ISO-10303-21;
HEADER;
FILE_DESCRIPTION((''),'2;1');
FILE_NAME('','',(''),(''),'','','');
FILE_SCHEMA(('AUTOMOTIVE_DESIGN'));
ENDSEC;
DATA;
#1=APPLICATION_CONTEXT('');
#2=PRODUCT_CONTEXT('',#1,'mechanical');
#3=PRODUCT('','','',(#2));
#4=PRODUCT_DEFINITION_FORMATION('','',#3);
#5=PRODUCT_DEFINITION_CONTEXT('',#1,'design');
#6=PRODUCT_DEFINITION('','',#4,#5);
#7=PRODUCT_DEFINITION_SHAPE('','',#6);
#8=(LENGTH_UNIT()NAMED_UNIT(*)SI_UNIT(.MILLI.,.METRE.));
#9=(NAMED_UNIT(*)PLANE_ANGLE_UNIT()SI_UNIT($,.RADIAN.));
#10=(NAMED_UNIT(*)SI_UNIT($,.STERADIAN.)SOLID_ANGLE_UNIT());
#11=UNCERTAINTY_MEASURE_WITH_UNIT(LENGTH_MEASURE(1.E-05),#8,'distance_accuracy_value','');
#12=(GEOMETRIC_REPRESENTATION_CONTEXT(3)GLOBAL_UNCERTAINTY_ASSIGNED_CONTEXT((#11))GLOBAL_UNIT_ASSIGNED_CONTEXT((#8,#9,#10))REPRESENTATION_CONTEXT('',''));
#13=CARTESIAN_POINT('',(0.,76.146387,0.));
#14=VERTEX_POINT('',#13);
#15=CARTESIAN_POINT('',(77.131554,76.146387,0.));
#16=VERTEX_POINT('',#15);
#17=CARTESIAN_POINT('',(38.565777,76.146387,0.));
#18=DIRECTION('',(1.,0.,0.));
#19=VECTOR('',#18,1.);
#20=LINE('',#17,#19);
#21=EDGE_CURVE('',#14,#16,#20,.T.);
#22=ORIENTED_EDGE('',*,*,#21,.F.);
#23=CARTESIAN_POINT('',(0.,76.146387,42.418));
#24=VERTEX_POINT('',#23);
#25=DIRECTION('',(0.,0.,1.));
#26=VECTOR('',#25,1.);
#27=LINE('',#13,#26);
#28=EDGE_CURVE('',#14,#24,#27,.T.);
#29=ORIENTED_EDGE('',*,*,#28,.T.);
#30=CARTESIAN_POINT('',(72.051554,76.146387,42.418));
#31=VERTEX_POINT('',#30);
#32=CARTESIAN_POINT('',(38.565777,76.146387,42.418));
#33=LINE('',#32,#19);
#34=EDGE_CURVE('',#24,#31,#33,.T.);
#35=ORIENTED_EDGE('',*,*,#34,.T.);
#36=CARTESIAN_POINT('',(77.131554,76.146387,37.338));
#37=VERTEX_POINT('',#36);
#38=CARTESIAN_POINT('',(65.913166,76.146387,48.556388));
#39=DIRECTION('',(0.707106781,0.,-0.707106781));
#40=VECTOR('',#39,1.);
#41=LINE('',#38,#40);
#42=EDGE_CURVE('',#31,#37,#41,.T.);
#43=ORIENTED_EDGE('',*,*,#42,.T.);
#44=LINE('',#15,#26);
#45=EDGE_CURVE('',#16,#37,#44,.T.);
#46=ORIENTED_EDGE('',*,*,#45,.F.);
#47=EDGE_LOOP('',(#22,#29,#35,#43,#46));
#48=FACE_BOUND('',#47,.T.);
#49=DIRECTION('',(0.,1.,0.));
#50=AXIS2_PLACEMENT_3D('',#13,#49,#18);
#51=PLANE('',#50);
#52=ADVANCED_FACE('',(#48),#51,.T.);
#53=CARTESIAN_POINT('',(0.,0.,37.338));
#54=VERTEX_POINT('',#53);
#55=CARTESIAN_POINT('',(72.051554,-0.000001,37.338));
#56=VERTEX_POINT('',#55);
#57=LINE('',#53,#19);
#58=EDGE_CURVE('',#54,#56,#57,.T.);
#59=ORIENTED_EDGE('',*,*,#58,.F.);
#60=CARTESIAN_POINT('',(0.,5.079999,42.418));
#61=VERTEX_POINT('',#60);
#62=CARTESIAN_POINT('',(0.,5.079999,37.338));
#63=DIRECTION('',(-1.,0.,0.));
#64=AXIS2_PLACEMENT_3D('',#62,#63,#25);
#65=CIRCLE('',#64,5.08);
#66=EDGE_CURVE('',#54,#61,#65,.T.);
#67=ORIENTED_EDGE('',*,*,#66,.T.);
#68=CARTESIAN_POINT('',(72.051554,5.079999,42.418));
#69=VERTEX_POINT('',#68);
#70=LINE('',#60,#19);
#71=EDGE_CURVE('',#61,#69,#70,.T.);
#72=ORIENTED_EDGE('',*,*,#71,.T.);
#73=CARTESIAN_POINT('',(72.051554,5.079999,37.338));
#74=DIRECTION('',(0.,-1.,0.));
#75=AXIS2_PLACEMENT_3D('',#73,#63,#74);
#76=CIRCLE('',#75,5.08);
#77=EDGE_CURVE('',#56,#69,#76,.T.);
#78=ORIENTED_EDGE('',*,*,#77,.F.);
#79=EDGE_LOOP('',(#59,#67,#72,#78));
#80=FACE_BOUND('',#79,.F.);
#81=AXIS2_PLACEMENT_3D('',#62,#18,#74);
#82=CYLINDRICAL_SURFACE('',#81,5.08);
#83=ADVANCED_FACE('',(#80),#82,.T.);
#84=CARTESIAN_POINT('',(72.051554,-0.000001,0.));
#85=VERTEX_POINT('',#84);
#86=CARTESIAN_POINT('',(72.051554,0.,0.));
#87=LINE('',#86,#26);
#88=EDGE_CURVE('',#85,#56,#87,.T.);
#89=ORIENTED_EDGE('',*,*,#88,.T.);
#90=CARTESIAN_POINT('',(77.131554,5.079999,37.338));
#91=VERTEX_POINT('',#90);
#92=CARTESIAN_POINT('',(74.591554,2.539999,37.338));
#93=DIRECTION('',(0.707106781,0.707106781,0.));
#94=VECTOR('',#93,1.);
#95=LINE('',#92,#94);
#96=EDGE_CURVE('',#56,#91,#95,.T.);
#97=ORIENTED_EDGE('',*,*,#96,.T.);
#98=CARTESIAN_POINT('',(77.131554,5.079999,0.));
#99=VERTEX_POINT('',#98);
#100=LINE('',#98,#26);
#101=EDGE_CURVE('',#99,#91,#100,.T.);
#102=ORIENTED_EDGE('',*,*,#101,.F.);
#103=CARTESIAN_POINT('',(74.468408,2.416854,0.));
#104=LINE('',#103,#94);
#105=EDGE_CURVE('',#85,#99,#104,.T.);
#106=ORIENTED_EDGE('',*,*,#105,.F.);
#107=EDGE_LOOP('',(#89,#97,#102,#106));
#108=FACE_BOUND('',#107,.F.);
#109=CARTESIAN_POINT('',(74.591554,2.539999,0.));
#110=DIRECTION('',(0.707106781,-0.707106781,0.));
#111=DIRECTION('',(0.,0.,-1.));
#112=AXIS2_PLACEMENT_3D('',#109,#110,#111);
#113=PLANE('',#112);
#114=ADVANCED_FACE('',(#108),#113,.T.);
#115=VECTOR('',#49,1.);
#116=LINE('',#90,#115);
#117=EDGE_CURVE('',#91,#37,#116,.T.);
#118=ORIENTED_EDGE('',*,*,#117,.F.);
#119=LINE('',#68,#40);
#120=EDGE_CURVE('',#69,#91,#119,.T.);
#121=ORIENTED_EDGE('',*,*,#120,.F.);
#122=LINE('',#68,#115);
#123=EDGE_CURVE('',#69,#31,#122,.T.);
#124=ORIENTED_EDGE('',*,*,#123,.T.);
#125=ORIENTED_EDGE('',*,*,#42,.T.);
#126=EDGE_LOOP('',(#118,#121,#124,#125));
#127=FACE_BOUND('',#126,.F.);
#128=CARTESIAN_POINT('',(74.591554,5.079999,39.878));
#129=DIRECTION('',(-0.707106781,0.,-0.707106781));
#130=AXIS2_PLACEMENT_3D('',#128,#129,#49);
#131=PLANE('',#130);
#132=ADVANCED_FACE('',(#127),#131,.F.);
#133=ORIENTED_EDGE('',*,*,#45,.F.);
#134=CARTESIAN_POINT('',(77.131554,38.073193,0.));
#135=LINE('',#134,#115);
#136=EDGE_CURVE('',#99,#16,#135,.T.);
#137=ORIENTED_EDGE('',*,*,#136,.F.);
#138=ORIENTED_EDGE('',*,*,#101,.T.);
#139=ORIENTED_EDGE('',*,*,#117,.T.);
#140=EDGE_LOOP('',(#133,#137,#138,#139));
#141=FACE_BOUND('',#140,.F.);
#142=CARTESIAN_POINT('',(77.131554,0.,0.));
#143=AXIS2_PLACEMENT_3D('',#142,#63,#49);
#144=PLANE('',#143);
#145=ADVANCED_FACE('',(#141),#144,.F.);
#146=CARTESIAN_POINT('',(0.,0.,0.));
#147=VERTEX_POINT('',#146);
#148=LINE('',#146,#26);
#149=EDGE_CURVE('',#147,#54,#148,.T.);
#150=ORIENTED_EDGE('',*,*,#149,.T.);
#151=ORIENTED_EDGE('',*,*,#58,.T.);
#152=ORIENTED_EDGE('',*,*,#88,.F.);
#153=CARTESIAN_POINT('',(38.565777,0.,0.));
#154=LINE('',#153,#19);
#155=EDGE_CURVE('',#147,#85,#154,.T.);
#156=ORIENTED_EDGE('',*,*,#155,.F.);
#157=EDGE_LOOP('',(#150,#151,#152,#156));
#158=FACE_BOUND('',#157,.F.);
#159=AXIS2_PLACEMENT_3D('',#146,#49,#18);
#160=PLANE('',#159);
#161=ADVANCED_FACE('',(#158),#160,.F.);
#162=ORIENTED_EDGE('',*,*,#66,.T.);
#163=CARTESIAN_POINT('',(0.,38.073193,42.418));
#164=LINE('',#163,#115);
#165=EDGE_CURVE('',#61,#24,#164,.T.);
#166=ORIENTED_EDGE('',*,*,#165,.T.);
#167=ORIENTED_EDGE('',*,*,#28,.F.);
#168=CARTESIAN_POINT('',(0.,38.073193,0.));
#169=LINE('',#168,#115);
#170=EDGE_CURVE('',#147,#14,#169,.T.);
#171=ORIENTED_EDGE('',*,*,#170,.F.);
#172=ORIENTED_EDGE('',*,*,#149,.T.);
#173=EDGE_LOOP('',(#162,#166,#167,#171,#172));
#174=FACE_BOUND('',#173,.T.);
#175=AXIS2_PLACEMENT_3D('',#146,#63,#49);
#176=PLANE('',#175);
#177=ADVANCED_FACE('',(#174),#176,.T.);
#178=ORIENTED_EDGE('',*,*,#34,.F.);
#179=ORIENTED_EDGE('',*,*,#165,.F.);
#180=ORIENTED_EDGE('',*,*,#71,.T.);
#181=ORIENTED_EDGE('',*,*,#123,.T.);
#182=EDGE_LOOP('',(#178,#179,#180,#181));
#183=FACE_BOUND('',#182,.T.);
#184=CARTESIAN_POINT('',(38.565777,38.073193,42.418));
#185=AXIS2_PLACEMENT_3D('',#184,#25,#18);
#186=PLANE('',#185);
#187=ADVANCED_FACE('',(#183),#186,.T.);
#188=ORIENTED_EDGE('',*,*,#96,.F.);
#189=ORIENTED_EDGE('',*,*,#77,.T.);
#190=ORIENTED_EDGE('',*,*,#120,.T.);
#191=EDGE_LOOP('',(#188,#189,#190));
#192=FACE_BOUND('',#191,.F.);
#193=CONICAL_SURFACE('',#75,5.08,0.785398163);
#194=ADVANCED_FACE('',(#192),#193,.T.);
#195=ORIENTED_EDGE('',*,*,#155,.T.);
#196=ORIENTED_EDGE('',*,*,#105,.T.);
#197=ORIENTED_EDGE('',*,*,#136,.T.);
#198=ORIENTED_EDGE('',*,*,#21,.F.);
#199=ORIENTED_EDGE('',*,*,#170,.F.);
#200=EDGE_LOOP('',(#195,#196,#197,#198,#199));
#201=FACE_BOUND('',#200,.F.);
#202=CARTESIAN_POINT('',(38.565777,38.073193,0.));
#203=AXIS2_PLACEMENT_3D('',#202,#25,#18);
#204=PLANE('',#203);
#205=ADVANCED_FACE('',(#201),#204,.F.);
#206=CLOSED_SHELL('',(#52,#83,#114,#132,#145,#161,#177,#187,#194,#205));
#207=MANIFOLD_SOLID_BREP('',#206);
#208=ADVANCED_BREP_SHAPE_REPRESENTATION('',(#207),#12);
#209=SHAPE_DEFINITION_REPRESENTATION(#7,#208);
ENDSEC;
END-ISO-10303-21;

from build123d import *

# Parameters (mm, degrees)
F0_W     = 77.131554
F0_H     = 76.146387
F1_DEPTH = 42.418
F2_R     = 5.08
F3_SIZE  = 5.08


with BuildPart() as f1:
    # F0 (on Top) → F1 (new body)
    with BuildSketch(Plane.XY):
        with Locations((38.565777, 38.073193)):
            Rectangle(F0_W, F0_H)
    extrude(amount=F1_DEPTH)

    # F2
    f2_edges = [f1.edges().sort_by_distance(p)[0] for p in [
        (38.565777, 0, 42.418),
    ]]
    fillet(f2_edges, radius=F2_R)

    # F3
    f3_edges = [f1.edges().sort_by_distance(p)[0] for p in [
        (77.131554, 40.613193, 42.418),
    ]]
    chamfer(f3_edges, length=F3_SIZE)


solid = f1.part
